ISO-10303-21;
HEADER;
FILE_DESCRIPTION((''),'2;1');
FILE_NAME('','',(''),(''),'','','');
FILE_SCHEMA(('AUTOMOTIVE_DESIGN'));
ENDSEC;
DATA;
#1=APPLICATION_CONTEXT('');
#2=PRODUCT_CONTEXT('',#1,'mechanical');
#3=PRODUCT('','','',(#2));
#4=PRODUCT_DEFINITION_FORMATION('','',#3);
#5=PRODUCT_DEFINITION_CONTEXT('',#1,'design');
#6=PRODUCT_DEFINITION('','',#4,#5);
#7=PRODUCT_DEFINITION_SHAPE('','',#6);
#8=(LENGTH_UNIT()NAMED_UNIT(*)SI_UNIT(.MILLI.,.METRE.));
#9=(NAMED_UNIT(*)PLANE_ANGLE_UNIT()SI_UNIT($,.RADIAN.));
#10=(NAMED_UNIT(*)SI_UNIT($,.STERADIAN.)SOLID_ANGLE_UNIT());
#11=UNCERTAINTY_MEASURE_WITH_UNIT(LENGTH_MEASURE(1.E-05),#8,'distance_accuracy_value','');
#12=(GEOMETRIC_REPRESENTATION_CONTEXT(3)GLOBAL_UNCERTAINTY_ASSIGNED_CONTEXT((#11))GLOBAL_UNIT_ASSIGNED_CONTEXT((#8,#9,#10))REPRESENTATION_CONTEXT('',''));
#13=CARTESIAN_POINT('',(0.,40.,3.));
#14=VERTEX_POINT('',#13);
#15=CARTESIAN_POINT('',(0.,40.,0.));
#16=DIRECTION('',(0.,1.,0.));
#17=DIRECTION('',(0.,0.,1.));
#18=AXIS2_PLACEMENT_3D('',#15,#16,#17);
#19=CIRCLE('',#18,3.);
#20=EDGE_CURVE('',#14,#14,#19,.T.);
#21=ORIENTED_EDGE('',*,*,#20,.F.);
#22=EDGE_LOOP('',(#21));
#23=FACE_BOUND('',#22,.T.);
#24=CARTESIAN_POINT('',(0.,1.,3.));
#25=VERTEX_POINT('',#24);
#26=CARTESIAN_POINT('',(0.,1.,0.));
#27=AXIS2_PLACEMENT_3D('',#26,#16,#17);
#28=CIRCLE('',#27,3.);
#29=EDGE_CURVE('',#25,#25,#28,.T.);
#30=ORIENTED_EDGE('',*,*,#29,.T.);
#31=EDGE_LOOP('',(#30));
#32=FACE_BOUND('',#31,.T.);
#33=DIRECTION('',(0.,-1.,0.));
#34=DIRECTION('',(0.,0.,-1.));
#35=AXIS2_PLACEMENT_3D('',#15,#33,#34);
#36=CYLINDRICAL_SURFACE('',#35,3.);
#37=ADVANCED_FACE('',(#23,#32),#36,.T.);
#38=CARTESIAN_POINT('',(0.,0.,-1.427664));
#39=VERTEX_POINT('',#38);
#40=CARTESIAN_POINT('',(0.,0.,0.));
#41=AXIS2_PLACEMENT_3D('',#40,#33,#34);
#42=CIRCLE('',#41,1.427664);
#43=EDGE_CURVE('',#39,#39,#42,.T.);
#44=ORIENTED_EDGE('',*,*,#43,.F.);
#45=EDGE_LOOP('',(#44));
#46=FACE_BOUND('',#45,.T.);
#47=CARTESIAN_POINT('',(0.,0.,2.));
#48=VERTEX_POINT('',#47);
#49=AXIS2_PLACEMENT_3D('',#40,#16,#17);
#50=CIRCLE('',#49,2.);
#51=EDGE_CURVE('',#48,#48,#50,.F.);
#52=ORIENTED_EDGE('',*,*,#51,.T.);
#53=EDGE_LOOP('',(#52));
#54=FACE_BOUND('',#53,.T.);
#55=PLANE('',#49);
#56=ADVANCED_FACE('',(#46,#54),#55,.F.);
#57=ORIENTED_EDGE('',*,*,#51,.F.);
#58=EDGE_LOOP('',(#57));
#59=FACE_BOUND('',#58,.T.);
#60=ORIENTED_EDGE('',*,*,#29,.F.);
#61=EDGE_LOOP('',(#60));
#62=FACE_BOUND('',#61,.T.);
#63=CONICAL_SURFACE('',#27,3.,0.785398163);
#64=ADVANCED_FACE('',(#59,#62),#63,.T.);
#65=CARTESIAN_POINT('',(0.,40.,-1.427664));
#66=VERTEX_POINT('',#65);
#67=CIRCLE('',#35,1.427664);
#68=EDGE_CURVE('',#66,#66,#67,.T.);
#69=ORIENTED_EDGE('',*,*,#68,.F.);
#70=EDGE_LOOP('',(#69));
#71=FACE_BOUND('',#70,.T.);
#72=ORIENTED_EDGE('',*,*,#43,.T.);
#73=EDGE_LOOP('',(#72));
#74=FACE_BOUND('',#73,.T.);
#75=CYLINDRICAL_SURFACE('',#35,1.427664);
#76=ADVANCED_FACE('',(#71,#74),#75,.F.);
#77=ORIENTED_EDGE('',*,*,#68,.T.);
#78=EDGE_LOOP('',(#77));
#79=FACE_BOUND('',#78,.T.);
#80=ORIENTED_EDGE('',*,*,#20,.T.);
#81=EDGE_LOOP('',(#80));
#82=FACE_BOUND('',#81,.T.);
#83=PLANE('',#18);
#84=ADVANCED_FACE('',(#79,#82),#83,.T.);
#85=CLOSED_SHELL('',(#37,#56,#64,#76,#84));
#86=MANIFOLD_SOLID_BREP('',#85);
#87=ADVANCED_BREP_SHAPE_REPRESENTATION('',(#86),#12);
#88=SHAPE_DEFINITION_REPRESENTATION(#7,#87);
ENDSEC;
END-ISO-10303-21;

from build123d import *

# Parameters (mm, degrees)
SKETCH_1_R          = 3
EXTRUDE_1_DEPTH     = 40
SKETCH_2_R          = 1.427663882
CUT_EXTRUDE_1_DEPTH = 41.224370722
CHAMFER_1_SIZE      = 1


with BuildPart() as part:
    # 草图1 → 凸台-拉伸1 (new body)
    with BuildSketch(Plane(origin=(0, 0, 0), x_dir=(1, 0, 0), z_dir=(0, 1, 0))):
        with Locations(Location((0, 0, 0), (0, 0, 270))):
            Circle(SKETCH_1_R)
    extrude(amount=EXTRUDE_1_DEPTH)

    # 草图2 → 切除-拉伸1 (cut, through all)
    with BuildSketch(Plane.XZ):
        with Locations(Location((0, 0, 0), (0, 0, 270))):
            Circle(SKETCH_2_R)
    extrude(amount=-CUT_EXTRUDE_1_DEPTH, mode=Mode.SUBTRACT)

    # 倒角1
    chamfer_1_edges = [part.edges().sort_by_distance(p)[0] for p in [
        (0, 0, -3),
    ]]
    chamfer(chamfer_1_edges, length=CHAMFER_1_SIZE)


solid = part.part
